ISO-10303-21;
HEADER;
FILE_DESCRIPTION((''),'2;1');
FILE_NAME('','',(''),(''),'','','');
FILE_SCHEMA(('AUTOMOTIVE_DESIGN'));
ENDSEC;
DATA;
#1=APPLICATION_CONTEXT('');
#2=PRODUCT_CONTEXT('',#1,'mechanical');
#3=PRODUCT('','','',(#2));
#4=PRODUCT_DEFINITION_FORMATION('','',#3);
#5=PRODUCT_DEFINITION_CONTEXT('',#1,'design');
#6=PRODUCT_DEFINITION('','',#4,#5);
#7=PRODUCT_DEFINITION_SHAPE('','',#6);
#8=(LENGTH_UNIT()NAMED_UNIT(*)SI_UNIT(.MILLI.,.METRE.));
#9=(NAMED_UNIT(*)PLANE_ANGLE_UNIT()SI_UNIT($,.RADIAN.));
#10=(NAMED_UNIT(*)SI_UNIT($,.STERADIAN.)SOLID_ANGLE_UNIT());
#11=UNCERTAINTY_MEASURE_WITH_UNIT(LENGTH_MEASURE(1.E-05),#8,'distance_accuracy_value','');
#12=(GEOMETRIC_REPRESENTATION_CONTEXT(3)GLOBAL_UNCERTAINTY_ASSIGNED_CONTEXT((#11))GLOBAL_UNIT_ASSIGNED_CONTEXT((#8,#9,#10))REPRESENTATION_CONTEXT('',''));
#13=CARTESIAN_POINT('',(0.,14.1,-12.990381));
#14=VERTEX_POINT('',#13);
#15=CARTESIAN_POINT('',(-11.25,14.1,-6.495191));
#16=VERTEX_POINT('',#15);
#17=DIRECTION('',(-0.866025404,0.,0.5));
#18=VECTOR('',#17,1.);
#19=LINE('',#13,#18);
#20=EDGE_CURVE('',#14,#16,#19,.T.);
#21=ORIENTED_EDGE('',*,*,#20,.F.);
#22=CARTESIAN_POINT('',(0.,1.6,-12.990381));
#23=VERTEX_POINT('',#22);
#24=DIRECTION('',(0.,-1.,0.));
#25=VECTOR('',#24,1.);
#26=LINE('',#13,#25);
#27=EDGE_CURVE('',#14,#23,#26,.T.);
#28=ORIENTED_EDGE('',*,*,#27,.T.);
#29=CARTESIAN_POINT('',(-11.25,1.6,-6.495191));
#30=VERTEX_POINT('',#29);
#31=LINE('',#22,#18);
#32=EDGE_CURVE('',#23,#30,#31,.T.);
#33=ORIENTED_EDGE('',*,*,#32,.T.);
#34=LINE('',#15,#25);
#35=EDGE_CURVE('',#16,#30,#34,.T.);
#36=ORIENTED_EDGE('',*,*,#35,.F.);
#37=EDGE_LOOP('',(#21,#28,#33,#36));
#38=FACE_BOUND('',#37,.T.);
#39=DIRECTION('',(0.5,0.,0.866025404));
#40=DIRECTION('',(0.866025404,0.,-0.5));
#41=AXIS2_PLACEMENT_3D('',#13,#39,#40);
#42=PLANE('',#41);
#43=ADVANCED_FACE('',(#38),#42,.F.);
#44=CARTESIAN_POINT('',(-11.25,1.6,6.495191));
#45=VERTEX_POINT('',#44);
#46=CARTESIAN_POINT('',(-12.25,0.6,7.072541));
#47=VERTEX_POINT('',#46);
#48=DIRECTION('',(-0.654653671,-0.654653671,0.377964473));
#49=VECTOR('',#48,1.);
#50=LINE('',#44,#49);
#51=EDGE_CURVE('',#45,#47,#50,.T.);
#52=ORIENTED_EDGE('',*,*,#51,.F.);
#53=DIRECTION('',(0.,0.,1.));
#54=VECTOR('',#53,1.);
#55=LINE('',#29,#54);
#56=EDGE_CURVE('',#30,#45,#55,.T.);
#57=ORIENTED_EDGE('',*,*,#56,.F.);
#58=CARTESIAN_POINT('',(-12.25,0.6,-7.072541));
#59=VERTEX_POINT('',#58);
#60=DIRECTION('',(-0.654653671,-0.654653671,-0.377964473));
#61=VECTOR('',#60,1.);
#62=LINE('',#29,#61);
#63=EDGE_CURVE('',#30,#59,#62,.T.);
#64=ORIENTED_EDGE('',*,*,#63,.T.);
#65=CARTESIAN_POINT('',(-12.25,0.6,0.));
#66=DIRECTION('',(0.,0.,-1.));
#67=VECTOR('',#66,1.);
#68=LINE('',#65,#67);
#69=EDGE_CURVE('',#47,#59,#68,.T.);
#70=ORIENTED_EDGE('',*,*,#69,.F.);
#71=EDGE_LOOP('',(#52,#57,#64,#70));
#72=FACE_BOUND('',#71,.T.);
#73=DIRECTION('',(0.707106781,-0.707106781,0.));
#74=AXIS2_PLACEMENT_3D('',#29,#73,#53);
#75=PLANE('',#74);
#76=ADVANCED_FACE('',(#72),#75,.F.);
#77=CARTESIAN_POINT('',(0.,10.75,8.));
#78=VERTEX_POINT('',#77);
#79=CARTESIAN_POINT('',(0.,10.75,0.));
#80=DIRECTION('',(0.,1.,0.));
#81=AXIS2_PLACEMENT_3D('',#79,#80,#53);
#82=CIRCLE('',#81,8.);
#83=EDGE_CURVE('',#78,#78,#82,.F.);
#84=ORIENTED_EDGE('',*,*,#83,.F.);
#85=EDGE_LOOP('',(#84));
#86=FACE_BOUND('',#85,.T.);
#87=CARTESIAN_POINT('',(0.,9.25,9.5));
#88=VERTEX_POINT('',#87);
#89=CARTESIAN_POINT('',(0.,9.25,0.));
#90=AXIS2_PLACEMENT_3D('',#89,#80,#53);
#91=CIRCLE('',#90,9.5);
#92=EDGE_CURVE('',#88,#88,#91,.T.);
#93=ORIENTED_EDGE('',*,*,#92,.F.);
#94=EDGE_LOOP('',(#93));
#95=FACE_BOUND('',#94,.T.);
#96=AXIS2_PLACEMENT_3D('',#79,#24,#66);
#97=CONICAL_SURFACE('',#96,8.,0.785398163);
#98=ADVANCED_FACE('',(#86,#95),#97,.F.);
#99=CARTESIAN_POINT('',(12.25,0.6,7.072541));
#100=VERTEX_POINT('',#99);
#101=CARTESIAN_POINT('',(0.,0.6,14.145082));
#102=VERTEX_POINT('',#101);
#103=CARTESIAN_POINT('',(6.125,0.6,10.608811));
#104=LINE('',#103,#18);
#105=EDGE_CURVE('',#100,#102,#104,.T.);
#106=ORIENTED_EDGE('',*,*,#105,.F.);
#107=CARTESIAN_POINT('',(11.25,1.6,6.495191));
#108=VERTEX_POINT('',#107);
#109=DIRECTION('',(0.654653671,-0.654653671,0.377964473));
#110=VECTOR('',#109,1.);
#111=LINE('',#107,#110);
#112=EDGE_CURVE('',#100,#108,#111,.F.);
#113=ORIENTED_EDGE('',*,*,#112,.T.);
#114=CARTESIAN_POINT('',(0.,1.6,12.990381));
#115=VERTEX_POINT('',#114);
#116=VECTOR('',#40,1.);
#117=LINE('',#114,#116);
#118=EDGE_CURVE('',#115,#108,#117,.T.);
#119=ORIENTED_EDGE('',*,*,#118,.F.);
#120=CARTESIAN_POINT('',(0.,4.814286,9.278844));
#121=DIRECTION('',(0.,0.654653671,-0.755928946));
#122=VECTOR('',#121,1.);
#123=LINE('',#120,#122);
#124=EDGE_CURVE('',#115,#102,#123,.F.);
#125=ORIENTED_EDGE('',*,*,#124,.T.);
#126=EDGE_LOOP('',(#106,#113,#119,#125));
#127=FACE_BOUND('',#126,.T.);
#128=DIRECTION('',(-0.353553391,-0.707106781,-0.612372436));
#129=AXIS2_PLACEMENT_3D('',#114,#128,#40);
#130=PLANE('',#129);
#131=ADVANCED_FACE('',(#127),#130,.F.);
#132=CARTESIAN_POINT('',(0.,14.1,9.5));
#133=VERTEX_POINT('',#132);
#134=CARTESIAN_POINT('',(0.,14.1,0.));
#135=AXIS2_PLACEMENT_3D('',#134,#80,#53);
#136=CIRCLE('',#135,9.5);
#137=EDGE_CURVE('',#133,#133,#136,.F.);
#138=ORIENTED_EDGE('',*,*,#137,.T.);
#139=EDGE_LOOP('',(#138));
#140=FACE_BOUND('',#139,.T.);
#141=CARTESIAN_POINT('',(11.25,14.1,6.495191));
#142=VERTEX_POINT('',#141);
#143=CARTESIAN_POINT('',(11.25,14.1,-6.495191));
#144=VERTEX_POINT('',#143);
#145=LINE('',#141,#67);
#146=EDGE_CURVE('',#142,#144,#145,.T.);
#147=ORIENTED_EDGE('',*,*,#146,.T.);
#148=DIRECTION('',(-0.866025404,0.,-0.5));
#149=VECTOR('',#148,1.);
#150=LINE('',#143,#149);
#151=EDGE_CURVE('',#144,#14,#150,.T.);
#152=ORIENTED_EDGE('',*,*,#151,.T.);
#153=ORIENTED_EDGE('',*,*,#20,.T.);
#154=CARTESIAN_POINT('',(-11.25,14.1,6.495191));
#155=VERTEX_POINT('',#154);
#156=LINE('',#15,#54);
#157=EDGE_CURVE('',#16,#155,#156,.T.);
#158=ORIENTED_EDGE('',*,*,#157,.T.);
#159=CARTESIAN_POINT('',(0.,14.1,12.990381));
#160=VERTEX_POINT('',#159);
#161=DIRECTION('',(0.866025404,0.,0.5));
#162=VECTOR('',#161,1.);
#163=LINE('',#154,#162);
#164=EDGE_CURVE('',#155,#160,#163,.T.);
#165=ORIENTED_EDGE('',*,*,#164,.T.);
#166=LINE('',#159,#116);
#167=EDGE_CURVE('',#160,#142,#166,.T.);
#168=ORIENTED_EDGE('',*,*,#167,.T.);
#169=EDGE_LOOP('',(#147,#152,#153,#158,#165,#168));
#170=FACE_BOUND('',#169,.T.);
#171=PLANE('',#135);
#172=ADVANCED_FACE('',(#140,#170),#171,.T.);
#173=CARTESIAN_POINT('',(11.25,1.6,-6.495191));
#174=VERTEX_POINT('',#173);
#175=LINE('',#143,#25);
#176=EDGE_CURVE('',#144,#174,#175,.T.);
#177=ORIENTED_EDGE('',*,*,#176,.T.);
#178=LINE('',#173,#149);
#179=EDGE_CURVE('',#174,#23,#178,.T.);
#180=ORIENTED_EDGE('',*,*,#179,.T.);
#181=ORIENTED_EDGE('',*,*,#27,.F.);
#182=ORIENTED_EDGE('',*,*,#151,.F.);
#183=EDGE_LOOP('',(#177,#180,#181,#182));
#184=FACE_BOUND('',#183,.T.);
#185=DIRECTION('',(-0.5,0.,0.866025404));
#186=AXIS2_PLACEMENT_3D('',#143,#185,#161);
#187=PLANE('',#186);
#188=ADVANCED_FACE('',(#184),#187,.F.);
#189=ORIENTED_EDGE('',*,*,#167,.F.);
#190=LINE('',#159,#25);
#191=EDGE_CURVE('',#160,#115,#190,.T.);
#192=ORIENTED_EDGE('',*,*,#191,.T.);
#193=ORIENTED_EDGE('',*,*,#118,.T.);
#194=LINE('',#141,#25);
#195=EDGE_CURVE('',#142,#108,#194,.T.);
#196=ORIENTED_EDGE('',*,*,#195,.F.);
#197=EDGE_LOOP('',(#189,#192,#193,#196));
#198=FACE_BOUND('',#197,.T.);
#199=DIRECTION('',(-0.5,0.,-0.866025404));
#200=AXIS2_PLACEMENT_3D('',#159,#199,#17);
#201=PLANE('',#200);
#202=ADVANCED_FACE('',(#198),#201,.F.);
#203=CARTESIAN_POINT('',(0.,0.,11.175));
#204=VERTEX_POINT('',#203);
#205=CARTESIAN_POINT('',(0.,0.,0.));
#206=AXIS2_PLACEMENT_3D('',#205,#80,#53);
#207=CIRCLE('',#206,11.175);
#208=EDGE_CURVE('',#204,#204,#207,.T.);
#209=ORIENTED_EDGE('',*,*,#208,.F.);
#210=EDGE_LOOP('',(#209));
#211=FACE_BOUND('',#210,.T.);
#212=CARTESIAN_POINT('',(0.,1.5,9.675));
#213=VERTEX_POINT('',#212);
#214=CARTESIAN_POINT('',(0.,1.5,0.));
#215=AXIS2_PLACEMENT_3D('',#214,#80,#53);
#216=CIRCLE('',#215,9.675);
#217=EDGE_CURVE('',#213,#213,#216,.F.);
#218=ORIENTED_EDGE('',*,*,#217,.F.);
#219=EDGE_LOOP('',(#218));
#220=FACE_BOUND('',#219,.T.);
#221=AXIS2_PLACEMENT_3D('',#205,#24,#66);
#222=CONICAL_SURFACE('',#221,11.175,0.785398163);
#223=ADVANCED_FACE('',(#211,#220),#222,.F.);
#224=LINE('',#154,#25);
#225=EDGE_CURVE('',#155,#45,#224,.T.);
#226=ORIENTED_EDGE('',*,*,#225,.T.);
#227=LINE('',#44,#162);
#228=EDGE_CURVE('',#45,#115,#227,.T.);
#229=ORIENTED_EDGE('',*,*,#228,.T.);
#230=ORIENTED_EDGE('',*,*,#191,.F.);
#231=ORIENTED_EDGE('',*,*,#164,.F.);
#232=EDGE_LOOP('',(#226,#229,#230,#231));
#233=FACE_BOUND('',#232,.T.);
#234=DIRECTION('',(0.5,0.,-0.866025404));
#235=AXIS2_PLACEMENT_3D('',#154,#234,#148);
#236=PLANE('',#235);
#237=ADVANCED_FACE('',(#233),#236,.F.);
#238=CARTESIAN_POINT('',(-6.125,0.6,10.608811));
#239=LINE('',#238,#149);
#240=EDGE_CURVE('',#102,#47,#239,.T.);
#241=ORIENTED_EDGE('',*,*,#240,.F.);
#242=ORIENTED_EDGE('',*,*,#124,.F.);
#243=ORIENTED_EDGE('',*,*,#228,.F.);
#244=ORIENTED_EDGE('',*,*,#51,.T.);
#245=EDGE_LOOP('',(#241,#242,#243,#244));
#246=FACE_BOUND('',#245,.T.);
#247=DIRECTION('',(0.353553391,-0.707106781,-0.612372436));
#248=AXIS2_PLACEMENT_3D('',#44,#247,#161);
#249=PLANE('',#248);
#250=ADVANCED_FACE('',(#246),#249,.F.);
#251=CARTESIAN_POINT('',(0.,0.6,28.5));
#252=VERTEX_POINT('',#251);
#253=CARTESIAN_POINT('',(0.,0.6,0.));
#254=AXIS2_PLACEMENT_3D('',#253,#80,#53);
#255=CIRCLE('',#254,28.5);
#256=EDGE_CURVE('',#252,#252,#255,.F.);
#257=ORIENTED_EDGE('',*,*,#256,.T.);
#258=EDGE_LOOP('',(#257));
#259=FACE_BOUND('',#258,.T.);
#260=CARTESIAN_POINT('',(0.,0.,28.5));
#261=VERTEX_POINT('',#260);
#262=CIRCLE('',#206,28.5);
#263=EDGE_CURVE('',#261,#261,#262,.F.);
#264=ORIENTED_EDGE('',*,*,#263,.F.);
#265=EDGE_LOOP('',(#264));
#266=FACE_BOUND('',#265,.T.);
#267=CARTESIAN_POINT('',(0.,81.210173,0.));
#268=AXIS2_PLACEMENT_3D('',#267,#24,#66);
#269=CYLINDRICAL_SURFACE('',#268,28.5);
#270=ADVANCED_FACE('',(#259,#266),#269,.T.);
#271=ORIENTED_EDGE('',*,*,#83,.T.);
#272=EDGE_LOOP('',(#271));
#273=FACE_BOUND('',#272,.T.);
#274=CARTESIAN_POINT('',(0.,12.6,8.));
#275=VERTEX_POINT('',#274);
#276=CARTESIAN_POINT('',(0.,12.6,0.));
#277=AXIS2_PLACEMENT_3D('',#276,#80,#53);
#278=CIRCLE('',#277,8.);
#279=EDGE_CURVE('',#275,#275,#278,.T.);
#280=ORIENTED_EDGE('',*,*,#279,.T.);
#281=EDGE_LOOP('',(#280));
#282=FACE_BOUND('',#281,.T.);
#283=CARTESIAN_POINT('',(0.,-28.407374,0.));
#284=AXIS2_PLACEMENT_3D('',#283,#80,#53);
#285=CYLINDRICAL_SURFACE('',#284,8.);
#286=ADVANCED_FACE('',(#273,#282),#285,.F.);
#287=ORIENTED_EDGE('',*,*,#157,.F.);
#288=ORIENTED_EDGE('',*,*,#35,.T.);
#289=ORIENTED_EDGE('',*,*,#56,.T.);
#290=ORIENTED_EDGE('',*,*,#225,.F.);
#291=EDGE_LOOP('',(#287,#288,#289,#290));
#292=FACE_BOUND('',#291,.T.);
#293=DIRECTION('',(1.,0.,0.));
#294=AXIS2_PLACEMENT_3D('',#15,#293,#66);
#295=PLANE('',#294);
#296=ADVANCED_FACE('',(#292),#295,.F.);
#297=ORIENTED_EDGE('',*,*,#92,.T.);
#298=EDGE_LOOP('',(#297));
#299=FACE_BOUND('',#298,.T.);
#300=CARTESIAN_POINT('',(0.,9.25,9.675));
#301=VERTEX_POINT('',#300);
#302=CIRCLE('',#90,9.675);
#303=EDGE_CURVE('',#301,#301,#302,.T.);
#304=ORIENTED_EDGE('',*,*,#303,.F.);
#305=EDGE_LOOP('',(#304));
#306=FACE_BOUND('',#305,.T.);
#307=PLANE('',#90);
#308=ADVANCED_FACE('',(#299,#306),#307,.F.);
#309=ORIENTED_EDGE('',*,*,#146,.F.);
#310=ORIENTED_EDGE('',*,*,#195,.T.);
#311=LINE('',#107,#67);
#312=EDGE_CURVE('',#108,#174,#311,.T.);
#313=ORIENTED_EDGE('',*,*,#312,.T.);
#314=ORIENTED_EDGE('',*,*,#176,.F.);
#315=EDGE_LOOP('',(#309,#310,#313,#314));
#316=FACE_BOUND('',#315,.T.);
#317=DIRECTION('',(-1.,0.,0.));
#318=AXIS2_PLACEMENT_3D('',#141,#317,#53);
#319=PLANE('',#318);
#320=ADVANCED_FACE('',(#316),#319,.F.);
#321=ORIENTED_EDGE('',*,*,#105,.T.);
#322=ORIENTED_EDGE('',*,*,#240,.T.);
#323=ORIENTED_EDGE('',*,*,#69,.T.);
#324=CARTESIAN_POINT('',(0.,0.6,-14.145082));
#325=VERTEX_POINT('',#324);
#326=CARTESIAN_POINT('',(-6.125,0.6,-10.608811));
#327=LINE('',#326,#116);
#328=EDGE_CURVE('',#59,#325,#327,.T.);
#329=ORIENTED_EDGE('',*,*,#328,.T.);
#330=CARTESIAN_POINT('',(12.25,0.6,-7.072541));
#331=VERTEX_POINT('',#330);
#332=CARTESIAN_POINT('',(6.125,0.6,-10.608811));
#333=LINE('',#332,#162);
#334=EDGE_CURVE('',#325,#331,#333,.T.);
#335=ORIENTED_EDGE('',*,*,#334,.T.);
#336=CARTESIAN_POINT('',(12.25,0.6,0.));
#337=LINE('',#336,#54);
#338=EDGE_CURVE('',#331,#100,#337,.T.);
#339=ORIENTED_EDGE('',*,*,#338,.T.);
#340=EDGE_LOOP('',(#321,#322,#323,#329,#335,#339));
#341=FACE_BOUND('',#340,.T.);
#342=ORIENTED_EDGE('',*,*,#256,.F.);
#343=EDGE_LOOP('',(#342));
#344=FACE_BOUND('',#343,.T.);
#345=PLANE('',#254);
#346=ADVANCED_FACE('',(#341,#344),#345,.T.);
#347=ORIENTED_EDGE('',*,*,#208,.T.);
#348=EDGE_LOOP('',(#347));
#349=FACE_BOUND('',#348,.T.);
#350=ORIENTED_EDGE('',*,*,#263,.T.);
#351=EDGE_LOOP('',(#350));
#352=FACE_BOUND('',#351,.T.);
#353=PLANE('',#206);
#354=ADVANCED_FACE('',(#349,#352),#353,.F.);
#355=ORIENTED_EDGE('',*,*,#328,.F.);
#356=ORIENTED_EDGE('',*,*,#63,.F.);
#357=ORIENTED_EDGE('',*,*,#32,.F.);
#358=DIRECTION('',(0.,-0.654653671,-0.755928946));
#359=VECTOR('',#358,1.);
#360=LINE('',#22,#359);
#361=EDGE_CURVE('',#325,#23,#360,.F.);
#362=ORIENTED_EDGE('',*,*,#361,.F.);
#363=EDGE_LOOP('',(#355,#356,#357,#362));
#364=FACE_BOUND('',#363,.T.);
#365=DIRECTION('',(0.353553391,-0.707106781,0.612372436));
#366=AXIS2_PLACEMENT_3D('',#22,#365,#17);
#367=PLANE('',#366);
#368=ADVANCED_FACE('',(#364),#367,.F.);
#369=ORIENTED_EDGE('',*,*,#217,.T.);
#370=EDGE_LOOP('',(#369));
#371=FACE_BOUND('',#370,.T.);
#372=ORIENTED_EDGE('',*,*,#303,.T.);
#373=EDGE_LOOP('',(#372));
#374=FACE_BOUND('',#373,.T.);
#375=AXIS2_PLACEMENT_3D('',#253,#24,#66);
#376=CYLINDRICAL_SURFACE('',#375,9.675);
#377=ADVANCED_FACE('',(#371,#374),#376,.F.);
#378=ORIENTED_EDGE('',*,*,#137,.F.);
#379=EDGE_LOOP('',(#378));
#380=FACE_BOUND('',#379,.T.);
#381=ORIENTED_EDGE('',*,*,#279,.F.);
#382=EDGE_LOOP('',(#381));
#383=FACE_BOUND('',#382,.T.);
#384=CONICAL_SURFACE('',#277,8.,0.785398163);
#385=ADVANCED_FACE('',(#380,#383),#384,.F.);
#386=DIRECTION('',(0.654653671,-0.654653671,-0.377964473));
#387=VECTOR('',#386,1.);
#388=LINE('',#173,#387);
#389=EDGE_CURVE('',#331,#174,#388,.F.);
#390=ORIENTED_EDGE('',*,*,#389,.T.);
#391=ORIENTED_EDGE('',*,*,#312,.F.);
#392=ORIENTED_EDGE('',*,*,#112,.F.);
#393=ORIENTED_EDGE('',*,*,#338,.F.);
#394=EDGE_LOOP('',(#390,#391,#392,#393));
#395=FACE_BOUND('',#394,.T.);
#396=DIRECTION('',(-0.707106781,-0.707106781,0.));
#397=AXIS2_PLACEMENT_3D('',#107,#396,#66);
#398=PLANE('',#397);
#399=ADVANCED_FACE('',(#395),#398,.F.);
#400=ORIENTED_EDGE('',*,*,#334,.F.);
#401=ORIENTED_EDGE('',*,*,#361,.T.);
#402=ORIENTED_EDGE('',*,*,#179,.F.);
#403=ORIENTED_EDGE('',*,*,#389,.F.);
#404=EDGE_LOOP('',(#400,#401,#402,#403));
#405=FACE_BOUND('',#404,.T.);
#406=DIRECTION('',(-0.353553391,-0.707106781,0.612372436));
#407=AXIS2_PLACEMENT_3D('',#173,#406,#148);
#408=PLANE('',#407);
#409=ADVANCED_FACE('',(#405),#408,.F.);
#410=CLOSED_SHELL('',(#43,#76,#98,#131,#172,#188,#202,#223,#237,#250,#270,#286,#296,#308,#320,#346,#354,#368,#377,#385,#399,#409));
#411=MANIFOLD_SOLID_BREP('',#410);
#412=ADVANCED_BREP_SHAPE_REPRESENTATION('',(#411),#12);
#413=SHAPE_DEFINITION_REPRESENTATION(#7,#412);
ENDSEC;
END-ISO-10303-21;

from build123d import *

# Parameters (mm, degrees)
SKETCH1_R                       = 27
SKETCH1_R_2                     = 9.675
BOSS_EXTRUDE1_DEPTH             = 0.6
SKETCH2_R                       = 9.675
BOSS_EXTRUDE2_DEPTH             = 13.5
SKETCH3_R                       = 10.043523413
SKETCH3_R_2                     = 8
BOSS_EXTRUDE3_DEPTH             = 4.85
CHAMFER1_SIZE                   = 1.5
SKETCH4_R                       = 28.5
SKETCH4_R_2                     = 25
BOSS_EXTRUDE4_DEPTH             = 1.9
BOSS_EXTRUDE4_DIRECTION_2_REACH = 42.704
CHAMFER3_SIZE                   = 1
CUT_EXTRUDE1_START              = -1.9
SKETCH5_R                       = 28.5
CUT_EXTRUDE1_DEPTH              = 1.9


with BuildPart() as part:
    # Sketch1 → Boss-Extrude1 (new body)
    with BuildSketch(Plane(origin=(0, 0, 0), x_dir=(1, 0, 0), z_dir=(0, 1, 0))):
        with Locations(Location((0, 0, 0), (0, 0, 270))):
            Circle(SKETCH1_R)
        with Locations(Location((0, 0, 0), (0, 0, 270))):
            Circle(SKETCH1_R_2, mode=Mode.SUBTRACT)
    extrude(amount=BOSS_EXTRUDE1_DEPTH)

    # Sketch2 → Boss-Extrude2 (add)
    with BuildSketch(Plane(origin=(0, 0.6, 0), x_dir=(1, 0, 0), z_dir=(0, 1, 0))):
        Polygon((0, 12.990381057), (-11.25, 6.495190528), (-11.25, -6.495190528), (0, -12.990381057), (11.25, -6.495190528), (11.25, 6.495190528), align=None)
        with Locations(Location((0, 0, 0), (0, 0, 270))):
            Circle(SKETCH2_R, mode=Mode.SUBTRACT)
    extrude(amount=BOSS_EXTRUDE2_DEPTH)

    # Sketch3 → Boss-Extrude3 (add)
    with BuildSketch(Plane(origin=(0, 14.1, 0), x_dir=(1, 0, 0), z_dir=(0, 1, 0))):
        Circle(SKETCH3_R)
        with Locations(Location((0, 0, 0), (0, 0, 270))):
            Circle(SKETCH3_R_2, mode=Mode.SUBTRACT)
    extrude(amount=-BOSS_EXTRUDE3_DEPTH)

    # Chamfer1
    chamfer1_edges = [part.edges().sort_by_distance(p)[0] for p in [
        (0, 9.25, -8),
        (0, 14.1, -8),
        (0, 0, -9.675),
    ]]
    chamfer(chamfer1_edges, length=CHAMFER1_SIZE)

    # Sketch4 → Boss-Extrude4 (add)
    with BuildSketch(Plane.XZ):
        with Locations(Location((0, 0, 0), (0, 0, 270))):
            Circle(SKETCH4_R)
        with Locations(Location((0, 0, 0), (0, 0, 270))):
            Circle(SKETCH4_R_2, mode=Mode.SUBTRACT)
    extrude(amount=BOSS_EXTRUDE4_DEPTH)

    # Boss-Extrude4 direction 2: up to this face of the body (flat: up to its plane)
    boss_extrude4_direction_2_end = Plane(part.part.faces().sort_by_distance((0, 0.6, -26.236324676))[0])
    # Sketch4 → Boss-Extrude4 direction 2 (add, up to the picked face)
    with BuildSketch(Plane.XZ, mode=Mode.PRIVATE) as boss_extrude4_direction_2_sk1:
        with Locations(Location((0, 0, 0), (0, 0, 270))):
            Circle(SKETCH4_R)
        with Locations(Location((0, 0, 0), (0, 0, 270))):
            Circle(SKETCH4_R_2, mode=Mode.SUBTRACT)
    boss_extrude4_direction_2_tool1 = split(extrude(boss_extrude4_direction_2_sk1.sketch, amount=-BOSS_EXTRUDE4_DIRECTION_2_REACH, mode=Mode.PRIVATE), bisect_by=boss_extrude4_direction_2_end, keep=Keep.BOTH, mode=Mode.PRIVATE)
    add(boss_extrude4_direction_2_tool1.solids().sort_by(Axis((0, 0, 27.693898), (0, 1, 0)))[0])

    # Chamfer3
    chamfer3_edges = [part.edges().sort_by_distance(p)[0] for p in [
        (5.625, 0.6, -9.742785793),
        (-5.625, 0.6, -9.742785793),
        (-11.25, 0.6, 0),
        (-5.625, 0.6, 9.742785793),
        (5.625, 0.6, 9.742785793),
        (11.25, 0.6, 0),
    ]]
    chamfer(chamfer3_edges, length=CHAMFER3_SIZE)

    # Sketch5 → Cut-Extrude1 (cut)
    with BuildSketch(Plane.XZ.offset(1.9).offset(CUT_EXTRUDE1_START)):
        with Locations(Location((0, 0, 0), (0, 0, 90))):
            Circle(SKETCH5_R)
    extrude(amount=CUT_EXTRUDE1_DEPTH, mode=Mode.SUBTRACT)


solid = part.part
